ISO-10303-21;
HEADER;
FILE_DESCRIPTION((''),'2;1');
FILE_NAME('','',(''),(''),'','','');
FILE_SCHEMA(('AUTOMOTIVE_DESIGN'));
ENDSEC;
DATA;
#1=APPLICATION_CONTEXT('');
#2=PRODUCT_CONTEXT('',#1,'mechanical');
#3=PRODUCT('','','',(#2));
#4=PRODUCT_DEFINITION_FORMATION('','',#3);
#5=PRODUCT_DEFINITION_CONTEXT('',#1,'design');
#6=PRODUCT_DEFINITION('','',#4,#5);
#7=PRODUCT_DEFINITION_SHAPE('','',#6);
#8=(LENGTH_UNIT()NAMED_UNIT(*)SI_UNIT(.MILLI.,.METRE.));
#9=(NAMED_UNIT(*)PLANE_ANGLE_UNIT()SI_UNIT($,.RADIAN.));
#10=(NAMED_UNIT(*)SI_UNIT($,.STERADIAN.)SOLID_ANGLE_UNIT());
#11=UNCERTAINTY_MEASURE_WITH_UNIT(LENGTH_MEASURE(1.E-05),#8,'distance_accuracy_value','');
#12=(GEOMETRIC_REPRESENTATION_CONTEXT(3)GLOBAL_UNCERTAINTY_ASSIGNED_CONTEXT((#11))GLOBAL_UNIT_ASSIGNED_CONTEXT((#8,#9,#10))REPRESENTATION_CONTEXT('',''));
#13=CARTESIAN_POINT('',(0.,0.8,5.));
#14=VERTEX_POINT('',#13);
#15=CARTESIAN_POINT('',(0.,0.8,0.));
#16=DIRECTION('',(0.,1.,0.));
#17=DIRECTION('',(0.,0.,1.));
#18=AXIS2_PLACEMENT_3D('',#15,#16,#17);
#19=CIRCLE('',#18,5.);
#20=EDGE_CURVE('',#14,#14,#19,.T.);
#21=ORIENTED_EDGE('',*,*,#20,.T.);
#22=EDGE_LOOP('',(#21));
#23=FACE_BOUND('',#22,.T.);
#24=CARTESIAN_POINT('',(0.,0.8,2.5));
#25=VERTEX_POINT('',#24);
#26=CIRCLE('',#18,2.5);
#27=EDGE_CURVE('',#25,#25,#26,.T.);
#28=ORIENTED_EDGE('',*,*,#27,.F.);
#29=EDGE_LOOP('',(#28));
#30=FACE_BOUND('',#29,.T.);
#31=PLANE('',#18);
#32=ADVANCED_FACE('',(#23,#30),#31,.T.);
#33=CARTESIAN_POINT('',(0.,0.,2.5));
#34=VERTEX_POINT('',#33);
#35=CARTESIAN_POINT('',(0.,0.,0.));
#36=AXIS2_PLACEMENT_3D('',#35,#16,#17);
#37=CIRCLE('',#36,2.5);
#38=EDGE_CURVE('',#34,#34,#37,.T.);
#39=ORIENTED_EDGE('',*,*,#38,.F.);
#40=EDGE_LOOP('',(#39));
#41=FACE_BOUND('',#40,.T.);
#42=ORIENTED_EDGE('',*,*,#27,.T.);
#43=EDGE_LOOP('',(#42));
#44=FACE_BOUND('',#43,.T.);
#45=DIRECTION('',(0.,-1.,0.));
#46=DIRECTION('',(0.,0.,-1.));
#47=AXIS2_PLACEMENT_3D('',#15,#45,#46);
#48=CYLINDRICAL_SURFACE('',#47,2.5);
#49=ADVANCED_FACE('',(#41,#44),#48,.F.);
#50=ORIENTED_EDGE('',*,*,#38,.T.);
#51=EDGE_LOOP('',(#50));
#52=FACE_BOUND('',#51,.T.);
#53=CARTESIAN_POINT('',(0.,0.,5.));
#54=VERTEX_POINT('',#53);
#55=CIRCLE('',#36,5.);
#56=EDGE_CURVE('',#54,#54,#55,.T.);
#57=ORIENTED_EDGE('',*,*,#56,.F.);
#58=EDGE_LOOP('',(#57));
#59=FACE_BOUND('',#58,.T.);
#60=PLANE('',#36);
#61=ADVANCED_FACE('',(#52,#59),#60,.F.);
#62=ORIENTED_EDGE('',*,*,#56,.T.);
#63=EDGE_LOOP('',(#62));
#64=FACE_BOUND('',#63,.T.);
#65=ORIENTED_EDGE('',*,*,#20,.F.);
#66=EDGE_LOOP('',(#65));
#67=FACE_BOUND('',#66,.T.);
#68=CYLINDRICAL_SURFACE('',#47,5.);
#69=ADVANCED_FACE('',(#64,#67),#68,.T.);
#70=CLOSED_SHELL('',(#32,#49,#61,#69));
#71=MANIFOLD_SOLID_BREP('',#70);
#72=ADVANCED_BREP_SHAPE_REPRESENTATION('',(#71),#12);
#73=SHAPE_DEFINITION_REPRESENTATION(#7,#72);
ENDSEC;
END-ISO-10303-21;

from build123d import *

# Parameters (mm, degrees)
SKETCH1_R           = 5
SKETCH1_R_2         = 2.5
BOSS_EXTRUDE1_DEPTH = 0.8


with BuildPart() as part:
    # Sketch1 → Boss-Extrude1 (new body)
    with BuildSketch(Plane(origin=(0, 0, 0), x_dir=(1, 0, 0), z_dir=(0, 1, 0))):
        Circle(SKETCH1_R)
        Circle(SKETCH1_R_2, mode=Mode.SUBTRACT)
    extrude(amount=BOSS_EXTRUDE1_DEPTH)


solid = part.part
